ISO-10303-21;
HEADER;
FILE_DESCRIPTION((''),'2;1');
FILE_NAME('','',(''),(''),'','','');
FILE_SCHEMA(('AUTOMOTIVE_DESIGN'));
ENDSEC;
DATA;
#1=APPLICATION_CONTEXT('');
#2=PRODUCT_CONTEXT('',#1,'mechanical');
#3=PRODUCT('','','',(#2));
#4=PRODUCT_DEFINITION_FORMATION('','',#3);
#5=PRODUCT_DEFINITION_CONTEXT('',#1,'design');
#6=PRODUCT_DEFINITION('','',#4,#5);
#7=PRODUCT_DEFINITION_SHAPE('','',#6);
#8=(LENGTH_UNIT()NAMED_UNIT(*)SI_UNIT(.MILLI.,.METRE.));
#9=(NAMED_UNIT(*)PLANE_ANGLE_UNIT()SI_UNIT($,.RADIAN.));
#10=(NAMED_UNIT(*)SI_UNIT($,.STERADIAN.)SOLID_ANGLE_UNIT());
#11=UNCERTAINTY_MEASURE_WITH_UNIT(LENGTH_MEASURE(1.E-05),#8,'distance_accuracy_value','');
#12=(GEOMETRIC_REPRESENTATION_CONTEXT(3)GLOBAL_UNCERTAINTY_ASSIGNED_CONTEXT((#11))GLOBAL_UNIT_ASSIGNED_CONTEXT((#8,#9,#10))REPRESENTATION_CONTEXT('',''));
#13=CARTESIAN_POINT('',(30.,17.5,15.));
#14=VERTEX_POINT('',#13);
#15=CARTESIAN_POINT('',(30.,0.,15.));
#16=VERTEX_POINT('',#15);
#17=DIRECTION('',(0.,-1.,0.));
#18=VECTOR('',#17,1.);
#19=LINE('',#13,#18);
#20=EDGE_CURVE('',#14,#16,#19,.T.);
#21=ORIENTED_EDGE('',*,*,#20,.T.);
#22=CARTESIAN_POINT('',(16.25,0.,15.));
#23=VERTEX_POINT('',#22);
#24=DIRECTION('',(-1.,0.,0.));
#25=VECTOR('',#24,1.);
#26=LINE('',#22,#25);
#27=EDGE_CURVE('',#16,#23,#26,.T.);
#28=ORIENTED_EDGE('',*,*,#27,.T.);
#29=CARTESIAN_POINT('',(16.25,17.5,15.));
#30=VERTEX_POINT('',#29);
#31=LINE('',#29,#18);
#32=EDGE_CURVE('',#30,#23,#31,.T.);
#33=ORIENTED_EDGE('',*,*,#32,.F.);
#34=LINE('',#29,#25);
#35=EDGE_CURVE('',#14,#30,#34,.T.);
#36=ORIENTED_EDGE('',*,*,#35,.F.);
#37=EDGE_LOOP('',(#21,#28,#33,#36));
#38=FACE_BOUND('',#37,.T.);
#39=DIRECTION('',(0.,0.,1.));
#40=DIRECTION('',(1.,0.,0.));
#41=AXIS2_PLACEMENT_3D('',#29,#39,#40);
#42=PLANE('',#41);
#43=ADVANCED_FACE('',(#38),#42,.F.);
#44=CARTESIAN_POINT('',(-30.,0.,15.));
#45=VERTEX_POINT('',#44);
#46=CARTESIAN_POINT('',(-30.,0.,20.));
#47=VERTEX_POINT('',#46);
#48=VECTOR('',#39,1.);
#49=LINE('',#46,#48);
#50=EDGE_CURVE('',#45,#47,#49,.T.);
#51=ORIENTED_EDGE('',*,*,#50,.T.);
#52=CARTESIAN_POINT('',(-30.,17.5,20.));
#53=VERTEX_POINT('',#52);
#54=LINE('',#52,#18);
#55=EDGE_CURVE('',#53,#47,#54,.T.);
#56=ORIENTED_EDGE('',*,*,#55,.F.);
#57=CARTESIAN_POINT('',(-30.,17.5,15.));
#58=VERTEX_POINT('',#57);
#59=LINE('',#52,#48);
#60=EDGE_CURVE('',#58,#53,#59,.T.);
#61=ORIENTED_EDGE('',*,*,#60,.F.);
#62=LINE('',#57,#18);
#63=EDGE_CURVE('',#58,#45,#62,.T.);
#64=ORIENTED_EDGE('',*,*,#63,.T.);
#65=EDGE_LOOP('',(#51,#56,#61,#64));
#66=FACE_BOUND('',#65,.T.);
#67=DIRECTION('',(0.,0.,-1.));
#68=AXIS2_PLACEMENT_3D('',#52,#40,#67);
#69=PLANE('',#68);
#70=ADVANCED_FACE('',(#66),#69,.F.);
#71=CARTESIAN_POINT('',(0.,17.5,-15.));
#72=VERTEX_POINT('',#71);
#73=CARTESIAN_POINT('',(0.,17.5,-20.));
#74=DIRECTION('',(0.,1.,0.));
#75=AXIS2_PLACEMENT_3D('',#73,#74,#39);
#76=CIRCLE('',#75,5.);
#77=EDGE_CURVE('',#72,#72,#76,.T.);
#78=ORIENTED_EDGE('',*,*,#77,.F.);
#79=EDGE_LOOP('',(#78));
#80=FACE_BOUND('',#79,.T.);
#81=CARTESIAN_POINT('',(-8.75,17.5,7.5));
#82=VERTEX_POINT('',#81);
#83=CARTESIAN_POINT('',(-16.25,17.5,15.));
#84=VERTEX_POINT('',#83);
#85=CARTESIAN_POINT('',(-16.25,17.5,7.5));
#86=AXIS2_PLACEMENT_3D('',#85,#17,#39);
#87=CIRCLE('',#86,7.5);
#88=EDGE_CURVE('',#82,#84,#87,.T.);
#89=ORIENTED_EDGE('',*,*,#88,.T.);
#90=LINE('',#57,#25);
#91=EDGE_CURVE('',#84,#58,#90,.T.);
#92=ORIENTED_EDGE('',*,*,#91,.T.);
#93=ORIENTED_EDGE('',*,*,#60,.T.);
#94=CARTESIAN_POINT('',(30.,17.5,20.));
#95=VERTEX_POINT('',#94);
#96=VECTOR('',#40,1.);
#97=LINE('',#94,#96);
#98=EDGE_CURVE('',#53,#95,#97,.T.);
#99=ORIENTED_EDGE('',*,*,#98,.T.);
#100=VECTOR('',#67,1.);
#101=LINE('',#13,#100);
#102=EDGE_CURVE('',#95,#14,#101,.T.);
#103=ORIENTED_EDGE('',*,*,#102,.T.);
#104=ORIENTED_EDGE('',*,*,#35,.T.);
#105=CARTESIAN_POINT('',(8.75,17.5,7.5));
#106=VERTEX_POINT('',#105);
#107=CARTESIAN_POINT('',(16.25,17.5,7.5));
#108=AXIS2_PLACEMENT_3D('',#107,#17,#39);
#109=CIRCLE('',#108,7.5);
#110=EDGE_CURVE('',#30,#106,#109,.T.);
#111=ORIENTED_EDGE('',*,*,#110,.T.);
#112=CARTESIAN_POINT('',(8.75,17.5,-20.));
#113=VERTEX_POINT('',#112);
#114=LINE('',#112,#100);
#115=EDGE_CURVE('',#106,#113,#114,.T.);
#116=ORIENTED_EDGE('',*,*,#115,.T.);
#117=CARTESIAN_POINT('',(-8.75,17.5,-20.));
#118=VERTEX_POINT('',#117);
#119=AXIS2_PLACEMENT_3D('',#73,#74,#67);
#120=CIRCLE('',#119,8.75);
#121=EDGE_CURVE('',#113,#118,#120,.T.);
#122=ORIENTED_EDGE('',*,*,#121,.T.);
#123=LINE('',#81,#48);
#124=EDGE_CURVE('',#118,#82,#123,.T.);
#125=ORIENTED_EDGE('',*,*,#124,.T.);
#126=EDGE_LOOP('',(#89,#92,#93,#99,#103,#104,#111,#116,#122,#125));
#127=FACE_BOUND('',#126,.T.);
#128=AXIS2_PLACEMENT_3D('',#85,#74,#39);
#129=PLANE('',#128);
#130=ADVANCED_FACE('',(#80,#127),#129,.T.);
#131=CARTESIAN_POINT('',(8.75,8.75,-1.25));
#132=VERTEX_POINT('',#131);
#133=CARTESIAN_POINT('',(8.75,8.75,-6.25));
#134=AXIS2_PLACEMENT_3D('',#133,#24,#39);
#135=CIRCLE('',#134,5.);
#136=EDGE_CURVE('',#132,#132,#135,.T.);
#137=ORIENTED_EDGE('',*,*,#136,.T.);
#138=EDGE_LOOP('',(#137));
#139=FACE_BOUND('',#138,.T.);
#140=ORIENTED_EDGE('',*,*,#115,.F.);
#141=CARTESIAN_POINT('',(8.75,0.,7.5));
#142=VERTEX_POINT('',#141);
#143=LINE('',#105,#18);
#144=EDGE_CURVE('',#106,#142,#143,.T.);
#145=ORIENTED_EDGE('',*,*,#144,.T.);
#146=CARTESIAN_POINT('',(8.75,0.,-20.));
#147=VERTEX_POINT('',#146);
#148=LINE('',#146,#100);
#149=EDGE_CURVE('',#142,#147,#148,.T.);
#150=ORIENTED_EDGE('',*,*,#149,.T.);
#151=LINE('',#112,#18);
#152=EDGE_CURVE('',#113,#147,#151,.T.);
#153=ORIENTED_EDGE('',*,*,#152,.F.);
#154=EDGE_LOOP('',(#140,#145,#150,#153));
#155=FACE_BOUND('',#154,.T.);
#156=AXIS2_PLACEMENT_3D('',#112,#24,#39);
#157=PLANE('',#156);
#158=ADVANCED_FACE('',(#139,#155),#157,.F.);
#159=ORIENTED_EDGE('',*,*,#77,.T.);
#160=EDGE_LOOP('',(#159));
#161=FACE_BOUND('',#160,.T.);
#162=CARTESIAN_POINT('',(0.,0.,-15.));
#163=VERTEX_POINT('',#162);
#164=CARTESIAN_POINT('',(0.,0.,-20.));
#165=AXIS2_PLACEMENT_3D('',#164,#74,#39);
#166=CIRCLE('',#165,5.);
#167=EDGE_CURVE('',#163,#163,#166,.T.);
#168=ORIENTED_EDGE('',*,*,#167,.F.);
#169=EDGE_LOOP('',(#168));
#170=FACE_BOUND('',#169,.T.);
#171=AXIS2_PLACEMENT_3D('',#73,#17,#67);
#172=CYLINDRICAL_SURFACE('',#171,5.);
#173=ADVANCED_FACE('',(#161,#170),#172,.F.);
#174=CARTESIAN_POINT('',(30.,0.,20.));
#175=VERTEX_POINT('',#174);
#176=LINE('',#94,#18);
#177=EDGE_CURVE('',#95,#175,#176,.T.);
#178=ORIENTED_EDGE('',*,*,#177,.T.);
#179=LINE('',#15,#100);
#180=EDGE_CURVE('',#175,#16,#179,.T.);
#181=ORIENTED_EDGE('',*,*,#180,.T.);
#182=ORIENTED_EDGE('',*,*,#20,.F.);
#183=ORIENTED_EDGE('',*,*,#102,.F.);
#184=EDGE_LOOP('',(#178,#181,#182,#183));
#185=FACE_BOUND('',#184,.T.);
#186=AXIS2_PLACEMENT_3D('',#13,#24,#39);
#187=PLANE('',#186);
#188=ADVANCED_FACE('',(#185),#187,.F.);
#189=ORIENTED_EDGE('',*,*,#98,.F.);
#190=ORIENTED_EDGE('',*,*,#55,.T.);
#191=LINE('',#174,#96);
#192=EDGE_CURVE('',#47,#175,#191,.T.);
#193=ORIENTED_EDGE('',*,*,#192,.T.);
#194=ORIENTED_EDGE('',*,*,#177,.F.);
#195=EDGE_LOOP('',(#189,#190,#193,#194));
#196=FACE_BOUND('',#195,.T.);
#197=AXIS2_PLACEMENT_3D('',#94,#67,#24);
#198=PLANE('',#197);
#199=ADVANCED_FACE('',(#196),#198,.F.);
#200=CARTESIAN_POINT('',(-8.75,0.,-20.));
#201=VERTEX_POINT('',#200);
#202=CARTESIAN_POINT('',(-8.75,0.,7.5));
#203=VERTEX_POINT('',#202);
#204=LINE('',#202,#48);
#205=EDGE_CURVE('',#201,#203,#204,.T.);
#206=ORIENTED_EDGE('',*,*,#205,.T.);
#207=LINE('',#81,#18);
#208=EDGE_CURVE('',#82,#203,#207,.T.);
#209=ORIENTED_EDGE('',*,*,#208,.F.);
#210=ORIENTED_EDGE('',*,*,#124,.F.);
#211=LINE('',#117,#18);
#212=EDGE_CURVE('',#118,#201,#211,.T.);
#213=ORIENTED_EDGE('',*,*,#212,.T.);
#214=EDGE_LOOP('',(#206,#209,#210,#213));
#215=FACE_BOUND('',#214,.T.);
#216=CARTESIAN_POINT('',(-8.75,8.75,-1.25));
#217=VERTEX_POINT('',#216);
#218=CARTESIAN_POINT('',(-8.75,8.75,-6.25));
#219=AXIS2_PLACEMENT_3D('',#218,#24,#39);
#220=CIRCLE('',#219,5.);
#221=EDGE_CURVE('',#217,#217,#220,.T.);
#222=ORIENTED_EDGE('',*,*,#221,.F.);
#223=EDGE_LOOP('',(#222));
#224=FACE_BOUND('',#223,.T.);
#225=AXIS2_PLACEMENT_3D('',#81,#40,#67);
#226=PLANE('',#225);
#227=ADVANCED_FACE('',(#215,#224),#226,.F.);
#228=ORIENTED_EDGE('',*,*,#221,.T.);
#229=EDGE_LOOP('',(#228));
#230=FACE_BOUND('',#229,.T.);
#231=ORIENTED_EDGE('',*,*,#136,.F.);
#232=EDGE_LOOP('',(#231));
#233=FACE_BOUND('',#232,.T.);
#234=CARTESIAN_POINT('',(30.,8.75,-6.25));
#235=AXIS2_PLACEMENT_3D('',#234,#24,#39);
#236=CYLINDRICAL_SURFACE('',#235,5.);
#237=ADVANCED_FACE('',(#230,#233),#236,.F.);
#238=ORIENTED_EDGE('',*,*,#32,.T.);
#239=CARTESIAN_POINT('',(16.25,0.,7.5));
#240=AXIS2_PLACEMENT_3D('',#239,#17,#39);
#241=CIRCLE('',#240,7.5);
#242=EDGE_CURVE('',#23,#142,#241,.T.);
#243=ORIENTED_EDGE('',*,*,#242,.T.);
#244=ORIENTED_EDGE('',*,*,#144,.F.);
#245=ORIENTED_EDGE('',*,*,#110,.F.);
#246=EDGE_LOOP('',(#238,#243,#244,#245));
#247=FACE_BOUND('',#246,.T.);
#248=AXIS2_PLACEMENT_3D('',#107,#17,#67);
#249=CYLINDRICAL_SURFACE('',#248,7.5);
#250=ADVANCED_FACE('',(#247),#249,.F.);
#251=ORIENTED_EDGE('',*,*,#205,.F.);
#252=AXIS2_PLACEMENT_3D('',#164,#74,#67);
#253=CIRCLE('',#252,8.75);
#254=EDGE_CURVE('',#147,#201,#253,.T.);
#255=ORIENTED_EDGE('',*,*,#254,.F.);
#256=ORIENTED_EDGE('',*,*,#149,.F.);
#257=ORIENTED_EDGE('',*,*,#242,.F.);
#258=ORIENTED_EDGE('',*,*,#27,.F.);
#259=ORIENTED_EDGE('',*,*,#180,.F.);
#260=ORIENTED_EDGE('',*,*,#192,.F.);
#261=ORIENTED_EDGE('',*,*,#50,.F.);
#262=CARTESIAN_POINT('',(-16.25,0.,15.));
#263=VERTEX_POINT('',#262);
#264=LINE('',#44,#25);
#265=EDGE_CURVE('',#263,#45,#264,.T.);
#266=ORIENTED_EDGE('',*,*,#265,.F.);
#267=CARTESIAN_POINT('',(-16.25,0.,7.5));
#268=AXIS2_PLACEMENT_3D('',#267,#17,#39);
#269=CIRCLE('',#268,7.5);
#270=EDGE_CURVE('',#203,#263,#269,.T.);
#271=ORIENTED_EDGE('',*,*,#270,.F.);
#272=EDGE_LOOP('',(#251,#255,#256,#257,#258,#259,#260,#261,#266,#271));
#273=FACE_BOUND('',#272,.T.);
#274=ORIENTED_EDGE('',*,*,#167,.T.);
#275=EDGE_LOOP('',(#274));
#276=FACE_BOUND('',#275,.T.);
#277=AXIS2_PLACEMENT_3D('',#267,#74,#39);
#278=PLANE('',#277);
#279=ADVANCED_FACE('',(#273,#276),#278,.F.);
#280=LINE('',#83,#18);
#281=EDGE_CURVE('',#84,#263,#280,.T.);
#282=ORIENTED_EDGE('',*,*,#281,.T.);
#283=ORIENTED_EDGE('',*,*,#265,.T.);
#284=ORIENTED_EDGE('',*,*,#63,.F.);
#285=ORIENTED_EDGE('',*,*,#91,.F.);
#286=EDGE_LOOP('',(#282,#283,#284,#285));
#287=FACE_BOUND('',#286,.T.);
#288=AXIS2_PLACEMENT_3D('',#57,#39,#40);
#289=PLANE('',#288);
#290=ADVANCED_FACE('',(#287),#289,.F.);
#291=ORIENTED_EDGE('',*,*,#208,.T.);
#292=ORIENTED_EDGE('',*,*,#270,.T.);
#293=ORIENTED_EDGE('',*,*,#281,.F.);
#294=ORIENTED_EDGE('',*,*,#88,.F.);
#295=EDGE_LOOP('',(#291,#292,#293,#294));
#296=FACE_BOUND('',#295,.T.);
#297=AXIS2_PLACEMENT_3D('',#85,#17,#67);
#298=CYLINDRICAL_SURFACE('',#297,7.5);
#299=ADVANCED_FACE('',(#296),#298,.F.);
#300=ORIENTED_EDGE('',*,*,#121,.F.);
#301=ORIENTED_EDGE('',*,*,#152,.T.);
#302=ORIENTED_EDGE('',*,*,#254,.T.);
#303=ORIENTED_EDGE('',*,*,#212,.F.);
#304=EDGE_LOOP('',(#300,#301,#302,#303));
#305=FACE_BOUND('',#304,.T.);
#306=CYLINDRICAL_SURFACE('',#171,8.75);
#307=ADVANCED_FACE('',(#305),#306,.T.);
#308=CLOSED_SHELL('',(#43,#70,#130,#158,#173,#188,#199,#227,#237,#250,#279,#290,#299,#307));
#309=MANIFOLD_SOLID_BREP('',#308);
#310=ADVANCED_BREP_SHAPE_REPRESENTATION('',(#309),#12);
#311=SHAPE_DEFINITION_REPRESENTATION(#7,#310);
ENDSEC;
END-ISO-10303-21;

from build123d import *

# Parameters (mm, degrees)
SKETCH2_R           = 5
BOSS_EXTRUDE1_DEPTH = 17.5
SKETCH3_R           = 5
CUT_EXTRUDE1_DEPTH  = 52.326162919


with BuildPart() as part:
    # Sketch2 → Boss-Extrude1 (new body)
    with BuildSketch(Plane(origin=(0, 0, 0), x_dir=(1, 0, 0), z_dir=(0, 1, 0))):
        with BuildLine():
            Line((-8.75, -7.5), (-8.75, 20))
            ThreePointArc((-8.75, 20), (0, 28.75), (8.75, 20))
            Line((8.75, 20), (8.75, -7.5))
            ThreePointArc((8.75, -7.5), (10.946699141, -12.803300859), (16.25, -15))
            Line((16.25, -15), (30, -15))
            Line((30, -15), (30, -20))
            Line((30, -20), (-30, -20))
            Line((-30, -20), (-30, -15))
            Line((-30, -15), (-16.25, -15))
            ThreePointArc((-16.25, -15), (-10.946699141, -12.803300859), (-8.75, -7.5))
        make_face()
        with Locations(Location((0, 20, 0), (0, 0, 270))):
            Circle(SKETCH2_R, mode=Mode.SUBTRACT)
    extrude(amount=BOSS_EXTRUDE1_DEPTH)

    # Sketch3 → Cut-Extrude1 (cut, through all)
    with BuildSketch(Plane.ZY.offset(8.75)):
        with Locations((-6.25, 8.75)):
            Circle(SKETCH3_R)
    extrude(amount=-CUT_EXTRUDE1_DEPTH, mode=Mode.SUBTRACT)


solid = part.part
